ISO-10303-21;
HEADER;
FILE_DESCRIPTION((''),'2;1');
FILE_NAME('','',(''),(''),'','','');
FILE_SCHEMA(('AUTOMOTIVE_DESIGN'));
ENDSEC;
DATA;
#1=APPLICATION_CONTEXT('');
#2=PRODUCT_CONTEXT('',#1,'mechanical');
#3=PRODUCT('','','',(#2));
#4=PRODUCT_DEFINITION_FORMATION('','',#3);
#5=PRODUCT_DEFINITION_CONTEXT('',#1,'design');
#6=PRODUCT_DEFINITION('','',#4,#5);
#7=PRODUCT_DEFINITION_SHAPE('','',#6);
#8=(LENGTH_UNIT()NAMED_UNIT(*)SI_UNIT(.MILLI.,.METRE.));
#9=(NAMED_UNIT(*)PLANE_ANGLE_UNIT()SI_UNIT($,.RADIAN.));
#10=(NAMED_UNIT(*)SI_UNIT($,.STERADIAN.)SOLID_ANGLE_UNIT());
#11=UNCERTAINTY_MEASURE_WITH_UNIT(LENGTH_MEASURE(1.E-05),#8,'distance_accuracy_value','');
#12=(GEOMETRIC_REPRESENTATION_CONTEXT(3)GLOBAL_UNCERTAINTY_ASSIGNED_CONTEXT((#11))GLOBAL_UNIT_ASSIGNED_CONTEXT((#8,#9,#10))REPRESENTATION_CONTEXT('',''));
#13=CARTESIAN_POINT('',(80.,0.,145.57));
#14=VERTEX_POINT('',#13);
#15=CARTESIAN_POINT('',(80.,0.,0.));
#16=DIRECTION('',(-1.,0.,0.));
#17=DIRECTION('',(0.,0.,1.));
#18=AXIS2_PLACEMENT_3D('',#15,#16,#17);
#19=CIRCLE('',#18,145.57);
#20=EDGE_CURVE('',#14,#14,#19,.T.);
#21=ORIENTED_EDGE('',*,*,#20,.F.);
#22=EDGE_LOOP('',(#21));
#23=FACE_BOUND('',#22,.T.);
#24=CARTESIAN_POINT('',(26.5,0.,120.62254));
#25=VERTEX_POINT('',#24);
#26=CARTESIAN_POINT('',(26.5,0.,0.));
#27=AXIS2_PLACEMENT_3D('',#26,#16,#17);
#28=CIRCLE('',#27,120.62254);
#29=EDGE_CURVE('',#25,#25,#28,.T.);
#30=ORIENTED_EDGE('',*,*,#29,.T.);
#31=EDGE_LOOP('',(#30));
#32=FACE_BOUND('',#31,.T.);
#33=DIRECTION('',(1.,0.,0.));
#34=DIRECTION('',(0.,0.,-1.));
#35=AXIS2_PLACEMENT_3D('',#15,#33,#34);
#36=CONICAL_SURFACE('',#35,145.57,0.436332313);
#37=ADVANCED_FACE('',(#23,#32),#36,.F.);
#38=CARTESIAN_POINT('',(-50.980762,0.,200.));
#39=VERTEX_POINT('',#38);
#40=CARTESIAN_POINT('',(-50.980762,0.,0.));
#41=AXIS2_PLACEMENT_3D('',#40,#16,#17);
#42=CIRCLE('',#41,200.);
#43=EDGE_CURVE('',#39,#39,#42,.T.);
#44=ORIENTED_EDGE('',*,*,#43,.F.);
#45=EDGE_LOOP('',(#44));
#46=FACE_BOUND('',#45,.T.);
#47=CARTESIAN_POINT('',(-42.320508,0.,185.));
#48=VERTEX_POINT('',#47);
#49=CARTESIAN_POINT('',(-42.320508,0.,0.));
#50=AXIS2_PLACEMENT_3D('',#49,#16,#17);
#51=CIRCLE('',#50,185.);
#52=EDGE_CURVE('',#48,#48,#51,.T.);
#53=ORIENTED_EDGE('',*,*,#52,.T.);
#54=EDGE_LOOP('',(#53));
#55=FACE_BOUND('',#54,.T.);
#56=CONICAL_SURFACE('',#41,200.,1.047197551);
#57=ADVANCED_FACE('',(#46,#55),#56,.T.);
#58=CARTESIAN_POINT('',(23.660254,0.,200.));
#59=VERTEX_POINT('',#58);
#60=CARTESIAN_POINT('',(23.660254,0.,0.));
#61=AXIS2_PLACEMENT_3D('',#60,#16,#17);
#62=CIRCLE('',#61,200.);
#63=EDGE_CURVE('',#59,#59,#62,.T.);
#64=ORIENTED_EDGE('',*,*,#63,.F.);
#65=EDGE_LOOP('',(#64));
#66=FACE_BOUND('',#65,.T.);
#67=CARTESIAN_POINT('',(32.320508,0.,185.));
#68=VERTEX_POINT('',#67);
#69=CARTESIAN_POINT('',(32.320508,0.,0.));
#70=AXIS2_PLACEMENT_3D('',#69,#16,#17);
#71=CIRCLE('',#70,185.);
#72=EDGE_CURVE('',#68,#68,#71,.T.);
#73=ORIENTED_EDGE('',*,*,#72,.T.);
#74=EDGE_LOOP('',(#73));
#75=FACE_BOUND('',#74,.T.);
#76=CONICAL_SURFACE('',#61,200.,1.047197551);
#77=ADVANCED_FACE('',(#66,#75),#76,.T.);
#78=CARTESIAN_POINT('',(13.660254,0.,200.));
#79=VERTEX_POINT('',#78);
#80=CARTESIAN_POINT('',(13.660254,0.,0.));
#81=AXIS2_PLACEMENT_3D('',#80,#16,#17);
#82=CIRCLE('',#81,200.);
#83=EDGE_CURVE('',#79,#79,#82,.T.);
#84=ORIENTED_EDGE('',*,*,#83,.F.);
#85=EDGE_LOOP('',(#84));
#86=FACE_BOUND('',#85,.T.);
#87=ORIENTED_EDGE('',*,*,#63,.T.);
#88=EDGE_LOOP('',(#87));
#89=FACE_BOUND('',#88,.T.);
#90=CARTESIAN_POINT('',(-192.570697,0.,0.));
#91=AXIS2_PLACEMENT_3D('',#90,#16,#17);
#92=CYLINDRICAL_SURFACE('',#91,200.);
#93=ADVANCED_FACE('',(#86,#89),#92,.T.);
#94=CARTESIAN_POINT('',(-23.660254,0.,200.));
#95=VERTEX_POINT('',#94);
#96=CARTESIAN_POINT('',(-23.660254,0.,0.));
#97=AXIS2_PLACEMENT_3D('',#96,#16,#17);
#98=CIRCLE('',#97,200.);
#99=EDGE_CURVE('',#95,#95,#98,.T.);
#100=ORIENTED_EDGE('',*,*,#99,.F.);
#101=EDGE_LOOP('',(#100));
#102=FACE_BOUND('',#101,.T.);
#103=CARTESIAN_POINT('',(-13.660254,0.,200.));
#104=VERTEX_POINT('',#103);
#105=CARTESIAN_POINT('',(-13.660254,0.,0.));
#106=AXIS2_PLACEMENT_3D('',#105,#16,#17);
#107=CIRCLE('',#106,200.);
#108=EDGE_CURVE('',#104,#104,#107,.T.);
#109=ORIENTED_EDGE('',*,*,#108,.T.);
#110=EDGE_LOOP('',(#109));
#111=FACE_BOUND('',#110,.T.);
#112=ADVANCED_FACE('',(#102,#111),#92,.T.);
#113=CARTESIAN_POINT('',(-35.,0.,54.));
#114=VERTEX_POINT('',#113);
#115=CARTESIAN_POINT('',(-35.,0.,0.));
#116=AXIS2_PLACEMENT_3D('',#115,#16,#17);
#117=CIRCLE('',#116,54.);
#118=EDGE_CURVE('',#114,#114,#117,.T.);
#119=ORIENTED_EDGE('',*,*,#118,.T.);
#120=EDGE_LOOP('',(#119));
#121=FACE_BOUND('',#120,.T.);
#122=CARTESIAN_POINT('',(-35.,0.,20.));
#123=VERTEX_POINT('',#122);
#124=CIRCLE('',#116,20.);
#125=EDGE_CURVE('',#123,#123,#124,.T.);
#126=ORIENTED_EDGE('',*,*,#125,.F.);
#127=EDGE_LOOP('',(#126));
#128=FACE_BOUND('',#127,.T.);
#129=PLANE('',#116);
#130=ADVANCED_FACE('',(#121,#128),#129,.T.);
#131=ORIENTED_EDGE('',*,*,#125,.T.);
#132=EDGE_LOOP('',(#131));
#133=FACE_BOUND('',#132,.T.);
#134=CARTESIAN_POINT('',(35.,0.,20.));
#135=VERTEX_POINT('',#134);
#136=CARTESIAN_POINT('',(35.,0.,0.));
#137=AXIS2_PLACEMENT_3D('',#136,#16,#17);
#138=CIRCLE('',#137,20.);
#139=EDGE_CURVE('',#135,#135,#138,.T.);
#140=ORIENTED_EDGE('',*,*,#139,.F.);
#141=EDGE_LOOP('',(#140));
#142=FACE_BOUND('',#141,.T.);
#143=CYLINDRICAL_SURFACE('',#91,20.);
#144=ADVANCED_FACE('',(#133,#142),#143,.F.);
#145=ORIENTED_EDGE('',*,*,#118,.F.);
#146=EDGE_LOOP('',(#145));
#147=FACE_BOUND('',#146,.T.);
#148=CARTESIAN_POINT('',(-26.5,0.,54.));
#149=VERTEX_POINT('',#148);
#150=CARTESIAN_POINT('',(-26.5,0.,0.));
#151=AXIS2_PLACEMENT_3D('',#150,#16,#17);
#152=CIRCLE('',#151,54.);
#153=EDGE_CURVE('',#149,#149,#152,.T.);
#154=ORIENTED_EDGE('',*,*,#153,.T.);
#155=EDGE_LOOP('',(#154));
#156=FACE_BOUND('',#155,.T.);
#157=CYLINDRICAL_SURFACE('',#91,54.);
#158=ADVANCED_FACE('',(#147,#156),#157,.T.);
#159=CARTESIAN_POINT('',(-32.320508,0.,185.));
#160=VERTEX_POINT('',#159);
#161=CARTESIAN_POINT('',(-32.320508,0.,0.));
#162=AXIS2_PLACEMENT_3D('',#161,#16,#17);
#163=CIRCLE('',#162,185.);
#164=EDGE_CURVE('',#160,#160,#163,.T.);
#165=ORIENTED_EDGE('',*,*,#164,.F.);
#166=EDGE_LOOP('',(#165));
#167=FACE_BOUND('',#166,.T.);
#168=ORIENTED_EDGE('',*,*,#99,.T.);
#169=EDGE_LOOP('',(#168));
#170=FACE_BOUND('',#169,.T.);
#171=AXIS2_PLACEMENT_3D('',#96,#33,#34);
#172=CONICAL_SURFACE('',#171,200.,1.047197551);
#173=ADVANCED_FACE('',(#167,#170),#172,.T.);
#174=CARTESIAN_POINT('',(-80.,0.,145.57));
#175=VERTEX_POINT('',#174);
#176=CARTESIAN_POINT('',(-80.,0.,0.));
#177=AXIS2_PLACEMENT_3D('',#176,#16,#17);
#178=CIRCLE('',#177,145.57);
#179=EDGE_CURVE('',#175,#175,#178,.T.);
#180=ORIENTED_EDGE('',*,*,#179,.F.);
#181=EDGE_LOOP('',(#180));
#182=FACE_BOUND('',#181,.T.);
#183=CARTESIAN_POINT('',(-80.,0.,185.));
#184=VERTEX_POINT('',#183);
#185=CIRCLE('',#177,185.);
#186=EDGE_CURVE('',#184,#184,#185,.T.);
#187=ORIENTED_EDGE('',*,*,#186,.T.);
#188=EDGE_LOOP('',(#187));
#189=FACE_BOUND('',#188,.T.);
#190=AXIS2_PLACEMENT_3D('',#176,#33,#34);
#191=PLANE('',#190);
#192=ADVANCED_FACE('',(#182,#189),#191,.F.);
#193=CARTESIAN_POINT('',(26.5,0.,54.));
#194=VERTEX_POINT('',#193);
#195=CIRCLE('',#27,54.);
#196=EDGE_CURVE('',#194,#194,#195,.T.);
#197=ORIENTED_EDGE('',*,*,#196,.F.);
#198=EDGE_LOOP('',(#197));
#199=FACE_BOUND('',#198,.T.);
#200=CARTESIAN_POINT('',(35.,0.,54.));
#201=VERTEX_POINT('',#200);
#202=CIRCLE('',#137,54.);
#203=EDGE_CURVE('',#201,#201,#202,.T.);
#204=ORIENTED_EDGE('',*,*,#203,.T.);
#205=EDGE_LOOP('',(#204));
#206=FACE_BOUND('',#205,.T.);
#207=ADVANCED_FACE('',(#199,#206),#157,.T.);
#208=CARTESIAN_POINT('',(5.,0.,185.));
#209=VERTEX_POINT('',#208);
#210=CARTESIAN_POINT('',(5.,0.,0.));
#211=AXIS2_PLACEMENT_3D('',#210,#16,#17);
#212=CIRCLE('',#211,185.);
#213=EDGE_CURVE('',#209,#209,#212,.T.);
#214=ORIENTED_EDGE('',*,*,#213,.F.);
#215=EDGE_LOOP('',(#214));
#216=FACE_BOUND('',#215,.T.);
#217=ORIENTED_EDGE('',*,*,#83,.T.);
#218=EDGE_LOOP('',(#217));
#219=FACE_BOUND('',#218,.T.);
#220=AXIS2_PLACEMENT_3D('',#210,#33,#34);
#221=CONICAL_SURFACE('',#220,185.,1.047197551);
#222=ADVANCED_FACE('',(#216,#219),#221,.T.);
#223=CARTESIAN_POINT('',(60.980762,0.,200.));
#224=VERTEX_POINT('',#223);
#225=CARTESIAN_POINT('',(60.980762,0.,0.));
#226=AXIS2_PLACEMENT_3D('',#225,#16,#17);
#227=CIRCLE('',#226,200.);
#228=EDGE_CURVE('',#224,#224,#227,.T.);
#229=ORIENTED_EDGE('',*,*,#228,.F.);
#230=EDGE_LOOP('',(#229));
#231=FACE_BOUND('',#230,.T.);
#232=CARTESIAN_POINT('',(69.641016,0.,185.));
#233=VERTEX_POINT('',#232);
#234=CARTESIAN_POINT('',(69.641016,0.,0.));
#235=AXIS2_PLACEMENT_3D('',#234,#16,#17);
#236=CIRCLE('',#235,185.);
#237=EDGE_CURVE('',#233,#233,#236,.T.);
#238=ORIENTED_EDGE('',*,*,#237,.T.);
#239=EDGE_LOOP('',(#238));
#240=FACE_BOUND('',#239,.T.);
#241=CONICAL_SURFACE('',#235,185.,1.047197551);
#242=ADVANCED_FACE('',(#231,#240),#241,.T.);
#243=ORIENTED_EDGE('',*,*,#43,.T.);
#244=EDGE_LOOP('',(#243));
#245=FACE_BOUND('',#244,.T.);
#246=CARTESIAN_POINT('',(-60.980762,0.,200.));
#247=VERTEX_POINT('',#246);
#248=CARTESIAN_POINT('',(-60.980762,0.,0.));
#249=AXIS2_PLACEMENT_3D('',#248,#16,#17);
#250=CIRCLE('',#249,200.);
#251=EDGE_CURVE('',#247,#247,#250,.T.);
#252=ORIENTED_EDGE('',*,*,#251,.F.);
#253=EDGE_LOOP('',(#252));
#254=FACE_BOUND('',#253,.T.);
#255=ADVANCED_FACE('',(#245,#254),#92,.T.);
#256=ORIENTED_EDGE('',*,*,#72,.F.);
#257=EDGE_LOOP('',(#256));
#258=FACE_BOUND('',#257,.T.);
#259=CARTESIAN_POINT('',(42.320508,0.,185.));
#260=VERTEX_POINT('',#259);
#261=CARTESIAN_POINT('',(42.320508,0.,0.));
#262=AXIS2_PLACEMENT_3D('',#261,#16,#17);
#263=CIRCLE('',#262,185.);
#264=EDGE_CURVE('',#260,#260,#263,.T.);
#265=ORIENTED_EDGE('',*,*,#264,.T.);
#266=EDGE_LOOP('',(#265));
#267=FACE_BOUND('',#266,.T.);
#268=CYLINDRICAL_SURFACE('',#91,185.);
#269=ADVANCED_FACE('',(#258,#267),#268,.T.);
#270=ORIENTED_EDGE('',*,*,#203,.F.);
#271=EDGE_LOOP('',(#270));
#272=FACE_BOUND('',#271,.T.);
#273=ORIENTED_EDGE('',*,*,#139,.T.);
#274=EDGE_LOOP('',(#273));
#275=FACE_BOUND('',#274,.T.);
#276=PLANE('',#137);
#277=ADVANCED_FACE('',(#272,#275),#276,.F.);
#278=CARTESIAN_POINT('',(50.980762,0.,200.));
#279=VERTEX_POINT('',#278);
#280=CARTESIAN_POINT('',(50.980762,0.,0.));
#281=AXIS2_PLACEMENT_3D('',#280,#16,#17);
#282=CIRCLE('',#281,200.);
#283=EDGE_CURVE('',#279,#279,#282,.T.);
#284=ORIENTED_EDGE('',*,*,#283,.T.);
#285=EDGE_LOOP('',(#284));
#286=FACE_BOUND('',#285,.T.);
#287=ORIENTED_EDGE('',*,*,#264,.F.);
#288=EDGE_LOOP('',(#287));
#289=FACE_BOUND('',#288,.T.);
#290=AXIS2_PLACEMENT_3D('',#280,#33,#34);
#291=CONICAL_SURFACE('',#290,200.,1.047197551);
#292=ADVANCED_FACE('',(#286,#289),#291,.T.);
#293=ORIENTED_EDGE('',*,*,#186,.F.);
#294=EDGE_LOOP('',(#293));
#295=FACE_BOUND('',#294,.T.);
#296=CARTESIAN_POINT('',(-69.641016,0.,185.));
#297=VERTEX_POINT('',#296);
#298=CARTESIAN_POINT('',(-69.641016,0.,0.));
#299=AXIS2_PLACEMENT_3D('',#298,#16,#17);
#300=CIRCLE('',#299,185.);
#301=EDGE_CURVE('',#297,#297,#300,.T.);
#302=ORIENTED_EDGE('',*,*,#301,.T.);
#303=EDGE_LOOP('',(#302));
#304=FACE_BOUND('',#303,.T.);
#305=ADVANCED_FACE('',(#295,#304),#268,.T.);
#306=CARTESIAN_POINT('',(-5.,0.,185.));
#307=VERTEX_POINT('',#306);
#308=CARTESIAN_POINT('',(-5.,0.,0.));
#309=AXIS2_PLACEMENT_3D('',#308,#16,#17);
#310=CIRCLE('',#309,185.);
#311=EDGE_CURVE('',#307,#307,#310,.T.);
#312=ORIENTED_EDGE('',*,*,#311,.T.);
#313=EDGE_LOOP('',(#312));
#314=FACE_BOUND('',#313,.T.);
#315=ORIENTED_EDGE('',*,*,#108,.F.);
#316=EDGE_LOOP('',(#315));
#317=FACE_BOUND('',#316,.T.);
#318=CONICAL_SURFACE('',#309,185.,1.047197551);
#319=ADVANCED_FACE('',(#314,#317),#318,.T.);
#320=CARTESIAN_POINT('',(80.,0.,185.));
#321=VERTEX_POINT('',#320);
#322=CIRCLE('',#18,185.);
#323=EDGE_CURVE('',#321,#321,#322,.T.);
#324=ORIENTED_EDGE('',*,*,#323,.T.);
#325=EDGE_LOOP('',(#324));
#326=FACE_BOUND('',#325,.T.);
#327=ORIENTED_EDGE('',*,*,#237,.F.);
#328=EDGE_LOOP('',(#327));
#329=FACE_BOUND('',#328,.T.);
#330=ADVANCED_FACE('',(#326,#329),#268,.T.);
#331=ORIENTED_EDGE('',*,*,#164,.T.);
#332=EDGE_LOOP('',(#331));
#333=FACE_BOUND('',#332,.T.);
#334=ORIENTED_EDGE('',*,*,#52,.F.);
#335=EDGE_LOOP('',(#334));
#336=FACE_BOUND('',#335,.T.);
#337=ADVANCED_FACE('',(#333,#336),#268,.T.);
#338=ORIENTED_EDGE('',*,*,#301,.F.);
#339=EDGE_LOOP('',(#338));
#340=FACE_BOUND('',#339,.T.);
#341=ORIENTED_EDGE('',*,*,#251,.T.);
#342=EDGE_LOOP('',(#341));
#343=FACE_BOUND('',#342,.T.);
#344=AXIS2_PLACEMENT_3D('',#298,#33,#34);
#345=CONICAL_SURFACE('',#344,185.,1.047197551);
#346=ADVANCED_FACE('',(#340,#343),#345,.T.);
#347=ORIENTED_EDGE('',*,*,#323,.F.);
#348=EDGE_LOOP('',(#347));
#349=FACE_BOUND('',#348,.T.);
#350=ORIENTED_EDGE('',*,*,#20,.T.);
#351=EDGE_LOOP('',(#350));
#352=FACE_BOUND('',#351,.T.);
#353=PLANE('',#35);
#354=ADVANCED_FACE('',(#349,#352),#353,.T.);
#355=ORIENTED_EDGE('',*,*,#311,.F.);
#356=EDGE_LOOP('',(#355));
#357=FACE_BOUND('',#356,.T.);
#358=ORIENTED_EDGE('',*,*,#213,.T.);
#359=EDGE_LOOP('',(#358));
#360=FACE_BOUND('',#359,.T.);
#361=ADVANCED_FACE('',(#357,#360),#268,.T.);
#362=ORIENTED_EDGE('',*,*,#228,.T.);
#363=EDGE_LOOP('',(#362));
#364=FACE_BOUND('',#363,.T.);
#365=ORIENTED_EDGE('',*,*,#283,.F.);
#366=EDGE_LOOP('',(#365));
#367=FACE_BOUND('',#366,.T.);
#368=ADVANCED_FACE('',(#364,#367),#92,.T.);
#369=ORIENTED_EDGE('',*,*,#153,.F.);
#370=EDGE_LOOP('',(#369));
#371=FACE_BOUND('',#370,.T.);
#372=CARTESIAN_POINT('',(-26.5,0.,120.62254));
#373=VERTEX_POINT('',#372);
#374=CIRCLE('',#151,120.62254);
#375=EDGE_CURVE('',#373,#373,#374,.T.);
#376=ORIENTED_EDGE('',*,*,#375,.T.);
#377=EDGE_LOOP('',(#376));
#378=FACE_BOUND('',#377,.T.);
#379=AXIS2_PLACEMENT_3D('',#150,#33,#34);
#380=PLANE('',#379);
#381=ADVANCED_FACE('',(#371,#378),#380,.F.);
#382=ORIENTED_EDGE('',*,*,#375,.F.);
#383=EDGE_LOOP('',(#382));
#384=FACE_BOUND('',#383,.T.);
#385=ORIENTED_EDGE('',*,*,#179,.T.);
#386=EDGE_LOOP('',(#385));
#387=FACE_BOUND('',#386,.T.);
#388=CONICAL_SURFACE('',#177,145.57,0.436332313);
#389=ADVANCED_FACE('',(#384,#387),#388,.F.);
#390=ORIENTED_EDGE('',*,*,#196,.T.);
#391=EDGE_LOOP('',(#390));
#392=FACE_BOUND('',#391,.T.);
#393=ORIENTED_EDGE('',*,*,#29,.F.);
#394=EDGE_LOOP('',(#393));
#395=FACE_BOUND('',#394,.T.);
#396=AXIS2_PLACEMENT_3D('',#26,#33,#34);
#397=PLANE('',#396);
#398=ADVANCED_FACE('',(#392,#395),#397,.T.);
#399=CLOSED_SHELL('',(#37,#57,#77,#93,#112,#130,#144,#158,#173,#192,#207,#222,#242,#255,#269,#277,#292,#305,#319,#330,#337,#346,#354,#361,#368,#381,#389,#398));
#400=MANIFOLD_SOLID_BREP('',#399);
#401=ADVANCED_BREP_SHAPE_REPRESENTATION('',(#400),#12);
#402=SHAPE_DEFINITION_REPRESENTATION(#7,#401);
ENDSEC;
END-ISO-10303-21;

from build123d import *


with BuildPart() as part:
    # Sketch2 → Revolve1 (revolve)
    with BuildSketch(Plane.XY):
        Polygon((-35, 20), (35, 20), (35, 54), (26.5, 54), (26.5, 120.622540289), (80, 145.57), (80, 185), (69.641016151, 185), (60.980762114, 200), (50.980762114, 200), (42.320508076, 185), (32.320508076, 185), (23.660254038, 200), (13.660254038, 200), (5, 185), (-5, 185), (-13.660254038, 200), (-23.660254038, 200), (-32.320508076, 185), (-42.320508076, 185), (-50.980762114, 200), (-60.980762114, 200), (-69.641016151, 185), (-80, 185), (-80, 145.57), (-26.5, 120.622540289), (-26.5, 54), (-35, 54), align=None)
    revolve(axis=Axis((-192.57069662, 0, 0), (1, 0, 0)))


solid = part.part
